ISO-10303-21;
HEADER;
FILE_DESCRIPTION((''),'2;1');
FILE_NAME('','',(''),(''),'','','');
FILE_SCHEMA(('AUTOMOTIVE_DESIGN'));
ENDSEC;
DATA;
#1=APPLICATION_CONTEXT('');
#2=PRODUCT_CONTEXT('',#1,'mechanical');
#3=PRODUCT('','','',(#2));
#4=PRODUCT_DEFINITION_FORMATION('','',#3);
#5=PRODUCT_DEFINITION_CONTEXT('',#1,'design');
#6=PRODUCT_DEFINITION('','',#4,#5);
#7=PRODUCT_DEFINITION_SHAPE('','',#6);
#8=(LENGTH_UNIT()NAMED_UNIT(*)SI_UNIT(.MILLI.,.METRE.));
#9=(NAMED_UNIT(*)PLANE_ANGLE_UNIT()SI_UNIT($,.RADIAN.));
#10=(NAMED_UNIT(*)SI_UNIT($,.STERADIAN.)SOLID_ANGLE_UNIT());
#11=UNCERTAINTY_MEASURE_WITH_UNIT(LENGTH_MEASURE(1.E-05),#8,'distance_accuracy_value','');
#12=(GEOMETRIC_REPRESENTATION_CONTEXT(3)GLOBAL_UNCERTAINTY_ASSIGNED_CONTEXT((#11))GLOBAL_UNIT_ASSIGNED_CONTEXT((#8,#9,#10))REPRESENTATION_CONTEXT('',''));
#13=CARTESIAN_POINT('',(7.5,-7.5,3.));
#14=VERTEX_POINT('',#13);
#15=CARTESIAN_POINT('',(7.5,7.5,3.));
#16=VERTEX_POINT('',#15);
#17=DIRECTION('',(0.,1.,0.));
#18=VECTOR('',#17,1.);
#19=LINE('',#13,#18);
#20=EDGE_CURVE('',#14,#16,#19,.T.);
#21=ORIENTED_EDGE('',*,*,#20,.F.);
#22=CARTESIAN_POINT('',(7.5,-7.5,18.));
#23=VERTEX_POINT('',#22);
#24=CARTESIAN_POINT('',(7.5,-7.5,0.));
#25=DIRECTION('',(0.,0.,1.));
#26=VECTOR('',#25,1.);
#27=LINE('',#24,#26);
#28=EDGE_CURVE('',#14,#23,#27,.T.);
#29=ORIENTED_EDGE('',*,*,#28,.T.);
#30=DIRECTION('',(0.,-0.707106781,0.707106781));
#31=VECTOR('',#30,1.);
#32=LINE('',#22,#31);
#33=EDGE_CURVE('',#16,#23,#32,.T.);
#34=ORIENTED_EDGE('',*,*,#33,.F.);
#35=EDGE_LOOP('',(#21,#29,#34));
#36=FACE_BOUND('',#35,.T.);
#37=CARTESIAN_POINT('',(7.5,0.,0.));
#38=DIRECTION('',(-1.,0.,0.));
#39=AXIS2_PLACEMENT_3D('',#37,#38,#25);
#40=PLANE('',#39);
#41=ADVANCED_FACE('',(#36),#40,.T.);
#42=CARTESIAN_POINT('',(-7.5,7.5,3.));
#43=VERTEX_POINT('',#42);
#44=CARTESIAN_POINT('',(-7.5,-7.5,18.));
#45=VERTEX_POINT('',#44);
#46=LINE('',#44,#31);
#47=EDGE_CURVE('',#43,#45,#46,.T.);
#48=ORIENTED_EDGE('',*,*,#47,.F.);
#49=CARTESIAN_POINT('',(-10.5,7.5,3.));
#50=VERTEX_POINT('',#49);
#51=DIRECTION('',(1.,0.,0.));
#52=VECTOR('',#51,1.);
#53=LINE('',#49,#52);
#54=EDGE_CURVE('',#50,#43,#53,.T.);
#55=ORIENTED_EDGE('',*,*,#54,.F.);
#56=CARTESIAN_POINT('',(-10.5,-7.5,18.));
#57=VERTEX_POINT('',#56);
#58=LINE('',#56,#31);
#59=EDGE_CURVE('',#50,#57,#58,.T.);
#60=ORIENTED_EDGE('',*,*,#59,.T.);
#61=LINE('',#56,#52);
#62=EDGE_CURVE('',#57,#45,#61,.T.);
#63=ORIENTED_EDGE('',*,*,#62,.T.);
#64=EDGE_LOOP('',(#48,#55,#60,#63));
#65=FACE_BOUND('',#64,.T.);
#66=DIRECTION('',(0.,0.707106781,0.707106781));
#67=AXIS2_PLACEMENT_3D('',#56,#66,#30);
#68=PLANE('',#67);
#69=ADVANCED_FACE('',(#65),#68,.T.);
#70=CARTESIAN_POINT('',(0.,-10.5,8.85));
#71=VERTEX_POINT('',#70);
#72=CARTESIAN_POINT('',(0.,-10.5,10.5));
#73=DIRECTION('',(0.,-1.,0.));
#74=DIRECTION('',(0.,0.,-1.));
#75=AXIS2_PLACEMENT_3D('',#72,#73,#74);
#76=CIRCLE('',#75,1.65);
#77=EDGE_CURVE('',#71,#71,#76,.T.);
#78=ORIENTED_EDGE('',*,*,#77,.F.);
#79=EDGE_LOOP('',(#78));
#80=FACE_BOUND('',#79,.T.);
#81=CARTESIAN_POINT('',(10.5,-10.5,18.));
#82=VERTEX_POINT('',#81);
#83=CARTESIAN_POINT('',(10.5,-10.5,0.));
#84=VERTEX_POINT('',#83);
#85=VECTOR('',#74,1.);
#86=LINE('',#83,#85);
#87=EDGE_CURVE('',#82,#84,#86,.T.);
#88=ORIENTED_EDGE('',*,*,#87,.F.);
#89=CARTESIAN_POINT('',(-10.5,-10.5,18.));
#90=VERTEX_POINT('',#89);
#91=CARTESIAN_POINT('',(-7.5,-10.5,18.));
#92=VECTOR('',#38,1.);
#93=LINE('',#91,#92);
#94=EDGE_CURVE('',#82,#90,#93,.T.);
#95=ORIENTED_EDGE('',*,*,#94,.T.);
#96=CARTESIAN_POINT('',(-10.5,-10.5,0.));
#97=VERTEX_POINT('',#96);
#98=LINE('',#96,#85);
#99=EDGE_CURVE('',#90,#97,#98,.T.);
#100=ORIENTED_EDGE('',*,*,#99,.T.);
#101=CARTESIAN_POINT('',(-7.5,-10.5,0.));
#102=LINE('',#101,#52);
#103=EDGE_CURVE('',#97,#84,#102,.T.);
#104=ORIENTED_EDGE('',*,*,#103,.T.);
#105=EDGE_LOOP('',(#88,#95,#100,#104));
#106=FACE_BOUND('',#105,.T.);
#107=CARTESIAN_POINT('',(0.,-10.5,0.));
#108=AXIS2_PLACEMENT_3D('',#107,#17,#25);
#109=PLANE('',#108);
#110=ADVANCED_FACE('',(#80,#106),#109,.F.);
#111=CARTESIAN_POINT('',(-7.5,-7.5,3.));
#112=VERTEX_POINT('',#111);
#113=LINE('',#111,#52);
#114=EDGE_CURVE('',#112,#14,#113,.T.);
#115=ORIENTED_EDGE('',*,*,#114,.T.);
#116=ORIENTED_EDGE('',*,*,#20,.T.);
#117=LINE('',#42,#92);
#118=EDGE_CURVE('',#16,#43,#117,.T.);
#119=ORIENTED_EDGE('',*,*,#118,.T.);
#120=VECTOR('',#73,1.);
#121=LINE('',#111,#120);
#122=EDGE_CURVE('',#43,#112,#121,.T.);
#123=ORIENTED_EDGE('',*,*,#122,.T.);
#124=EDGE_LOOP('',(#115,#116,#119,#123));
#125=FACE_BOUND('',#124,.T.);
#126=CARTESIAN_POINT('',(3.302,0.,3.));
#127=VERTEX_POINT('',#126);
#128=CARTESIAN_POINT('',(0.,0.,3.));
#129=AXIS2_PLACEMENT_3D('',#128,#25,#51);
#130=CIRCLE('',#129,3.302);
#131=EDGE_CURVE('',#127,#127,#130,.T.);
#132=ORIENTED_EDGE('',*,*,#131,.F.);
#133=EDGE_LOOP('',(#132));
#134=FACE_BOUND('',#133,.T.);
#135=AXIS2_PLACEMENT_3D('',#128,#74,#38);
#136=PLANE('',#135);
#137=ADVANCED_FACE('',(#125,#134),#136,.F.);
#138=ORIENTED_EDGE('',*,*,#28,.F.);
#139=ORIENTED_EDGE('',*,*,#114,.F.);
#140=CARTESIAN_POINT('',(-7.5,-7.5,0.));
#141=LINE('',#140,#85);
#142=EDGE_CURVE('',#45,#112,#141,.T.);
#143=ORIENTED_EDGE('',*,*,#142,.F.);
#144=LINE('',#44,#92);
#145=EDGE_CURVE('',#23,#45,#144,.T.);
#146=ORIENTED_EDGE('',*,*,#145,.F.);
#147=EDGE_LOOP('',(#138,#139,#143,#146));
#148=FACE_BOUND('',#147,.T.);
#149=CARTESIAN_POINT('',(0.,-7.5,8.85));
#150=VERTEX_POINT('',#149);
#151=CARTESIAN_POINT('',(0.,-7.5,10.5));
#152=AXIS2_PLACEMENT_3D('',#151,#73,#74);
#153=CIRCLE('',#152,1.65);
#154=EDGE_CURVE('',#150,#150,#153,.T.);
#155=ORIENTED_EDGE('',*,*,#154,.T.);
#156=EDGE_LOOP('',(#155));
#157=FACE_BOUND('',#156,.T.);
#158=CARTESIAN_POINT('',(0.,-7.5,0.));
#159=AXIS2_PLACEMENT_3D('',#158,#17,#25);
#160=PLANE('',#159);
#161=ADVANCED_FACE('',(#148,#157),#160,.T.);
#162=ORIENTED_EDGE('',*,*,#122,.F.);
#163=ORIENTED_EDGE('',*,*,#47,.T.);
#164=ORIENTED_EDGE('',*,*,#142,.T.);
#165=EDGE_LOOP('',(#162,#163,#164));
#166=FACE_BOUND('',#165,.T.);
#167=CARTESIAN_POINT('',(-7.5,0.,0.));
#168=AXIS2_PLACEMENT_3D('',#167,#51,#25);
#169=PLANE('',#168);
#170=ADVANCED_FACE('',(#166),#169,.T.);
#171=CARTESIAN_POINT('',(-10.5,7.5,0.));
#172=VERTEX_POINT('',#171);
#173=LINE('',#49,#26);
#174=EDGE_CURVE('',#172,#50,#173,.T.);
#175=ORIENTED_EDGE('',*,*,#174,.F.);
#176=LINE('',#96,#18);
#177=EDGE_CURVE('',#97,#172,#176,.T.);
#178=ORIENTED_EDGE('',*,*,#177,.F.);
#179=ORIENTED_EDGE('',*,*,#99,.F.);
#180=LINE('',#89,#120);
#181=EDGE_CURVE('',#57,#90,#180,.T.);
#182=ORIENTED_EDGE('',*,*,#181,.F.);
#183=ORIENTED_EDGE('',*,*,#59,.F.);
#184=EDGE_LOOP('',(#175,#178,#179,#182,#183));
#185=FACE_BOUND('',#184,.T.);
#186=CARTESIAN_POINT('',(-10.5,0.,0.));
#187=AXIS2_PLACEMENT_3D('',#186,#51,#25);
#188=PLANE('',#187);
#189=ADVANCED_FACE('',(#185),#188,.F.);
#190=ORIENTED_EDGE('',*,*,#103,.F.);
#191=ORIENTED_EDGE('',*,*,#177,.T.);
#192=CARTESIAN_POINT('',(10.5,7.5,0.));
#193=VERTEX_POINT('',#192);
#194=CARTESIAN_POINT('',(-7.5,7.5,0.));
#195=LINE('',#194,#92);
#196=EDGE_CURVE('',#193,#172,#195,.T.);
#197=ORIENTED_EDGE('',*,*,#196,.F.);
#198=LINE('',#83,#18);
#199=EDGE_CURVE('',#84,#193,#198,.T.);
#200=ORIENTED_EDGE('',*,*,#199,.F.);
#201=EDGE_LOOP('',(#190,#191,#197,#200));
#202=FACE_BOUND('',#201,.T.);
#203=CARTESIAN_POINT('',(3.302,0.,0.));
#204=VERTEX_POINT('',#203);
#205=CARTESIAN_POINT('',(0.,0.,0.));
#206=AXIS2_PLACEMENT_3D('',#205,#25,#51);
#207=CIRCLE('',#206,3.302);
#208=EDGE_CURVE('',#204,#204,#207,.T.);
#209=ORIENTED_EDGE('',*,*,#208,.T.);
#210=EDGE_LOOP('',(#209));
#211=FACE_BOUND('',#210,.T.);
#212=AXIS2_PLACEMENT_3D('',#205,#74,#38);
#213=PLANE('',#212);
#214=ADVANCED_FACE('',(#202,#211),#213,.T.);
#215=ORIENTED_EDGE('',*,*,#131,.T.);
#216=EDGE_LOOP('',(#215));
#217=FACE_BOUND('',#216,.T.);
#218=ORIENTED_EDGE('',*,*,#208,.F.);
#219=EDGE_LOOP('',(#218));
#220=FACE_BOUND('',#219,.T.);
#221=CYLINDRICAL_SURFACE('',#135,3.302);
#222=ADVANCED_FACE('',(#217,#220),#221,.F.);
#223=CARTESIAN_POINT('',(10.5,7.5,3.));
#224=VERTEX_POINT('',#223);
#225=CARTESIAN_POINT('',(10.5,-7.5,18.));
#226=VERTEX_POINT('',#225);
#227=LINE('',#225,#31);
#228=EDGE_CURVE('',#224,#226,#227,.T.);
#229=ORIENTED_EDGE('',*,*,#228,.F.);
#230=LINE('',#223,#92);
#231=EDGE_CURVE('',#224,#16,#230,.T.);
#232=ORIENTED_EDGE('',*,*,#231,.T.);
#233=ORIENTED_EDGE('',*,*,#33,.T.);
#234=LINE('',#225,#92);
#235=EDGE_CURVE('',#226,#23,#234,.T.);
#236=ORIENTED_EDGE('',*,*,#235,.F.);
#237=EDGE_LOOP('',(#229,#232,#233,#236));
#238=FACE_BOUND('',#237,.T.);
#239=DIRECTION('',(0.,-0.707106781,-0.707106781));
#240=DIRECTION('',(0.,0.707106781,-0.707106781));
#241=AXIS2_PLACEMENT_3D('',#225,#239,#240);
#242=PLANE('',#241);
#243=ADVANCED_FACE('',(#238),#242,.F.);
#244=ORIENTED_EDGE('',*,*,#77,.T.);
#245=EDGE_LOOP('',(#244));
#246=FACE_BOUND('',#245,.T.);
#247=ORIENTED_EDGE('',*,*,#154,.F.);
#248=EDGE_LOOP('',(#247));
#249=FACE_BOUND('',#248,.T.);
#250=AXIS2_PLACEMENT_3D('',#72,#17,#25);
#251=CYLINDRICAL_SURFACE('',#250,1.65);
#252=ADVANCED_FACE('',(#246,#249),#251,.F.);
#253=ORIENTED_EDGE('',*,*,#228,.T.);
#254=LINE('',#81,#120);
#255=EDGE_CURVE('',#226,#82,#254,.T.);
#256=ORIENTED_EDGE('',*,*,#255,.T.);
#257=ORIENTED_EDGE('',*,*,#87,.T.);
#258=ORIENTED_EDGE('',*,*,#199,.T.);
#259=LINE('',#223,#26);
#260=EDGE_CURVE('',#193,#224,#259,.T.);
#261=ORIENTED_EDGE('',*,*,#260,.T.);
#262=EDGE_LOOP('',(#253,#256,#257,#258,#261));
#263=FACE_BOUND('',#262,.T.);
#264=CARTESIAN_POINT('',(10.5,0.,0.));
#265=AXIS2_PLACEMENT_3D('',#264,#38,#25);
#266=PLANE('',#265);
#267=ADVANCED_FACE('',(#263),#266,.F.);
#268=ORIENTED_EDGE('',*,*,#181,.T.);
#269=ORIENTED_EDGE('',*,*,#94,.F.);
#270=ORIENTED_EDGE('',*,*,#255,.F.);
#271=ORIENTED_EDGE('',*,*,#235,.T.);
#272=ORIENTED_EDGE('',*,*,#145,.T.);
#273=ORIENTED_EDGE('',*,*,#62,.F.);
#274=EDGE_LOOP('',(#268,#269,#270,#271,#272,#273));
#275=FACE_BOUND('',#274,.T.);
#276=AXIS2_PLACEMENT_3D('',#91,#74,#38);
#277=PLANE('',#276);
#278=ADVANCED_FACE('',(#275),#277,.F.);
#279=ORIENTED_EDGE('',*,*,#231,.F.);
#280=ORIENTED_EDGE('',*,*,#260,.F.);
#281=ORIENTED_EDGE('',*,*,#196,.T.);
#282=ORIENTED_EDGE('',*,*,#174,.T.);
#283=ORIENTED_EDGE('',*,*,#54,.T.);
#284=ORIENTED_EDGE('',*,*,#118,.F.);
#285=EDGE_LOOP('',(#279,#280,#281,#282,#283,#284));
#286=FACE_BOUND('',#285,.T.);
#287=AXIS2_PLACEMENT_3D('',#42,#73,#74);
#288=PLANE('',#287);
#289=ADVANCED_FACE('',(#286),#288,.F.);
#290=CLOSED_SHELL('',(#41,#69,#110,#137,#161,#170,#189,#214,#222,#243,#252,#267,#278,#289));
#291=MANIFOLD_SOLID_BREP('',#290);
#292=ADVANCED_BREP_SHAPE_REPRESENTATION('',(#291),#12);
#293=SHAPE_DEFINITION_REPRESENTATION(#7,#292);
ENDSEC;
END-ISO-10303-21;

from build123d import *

# Parameters (mm, degrees)
SKETCH1_W           = 15
SKETCH1_H           = 15
SKETCH1_R           = 3.302
BOSS_EXTRUDE1_DEPTH = 3
SKETCH2_W           = 15
SKETCH2_H           = 18
SKETCH2_R           = 1.65
BOSS_EXTRUDE2_DEPTH = 3
BOSS_EXTRUDE3_DEPTH = 3


with BuildPart() as part:
    # Sketch1 → Boss-Extrude1 (new body)
    with BuildSketch(Plane.XY):
        Rectangle(SKETCH1_W, SKETCH1_H)
        Circle(SKETCH1_R, mode=Mode.SUBTRACT)
    extrude(amount=BOSS_EXTRUDE1_DEPTH)

    # Sketch2 → Boss-Extrude2 (add)
    with BuildSketch(Plane.XZ.offset(7.5)):
        with Locations((0, 9)):
            Rectangle(SKETCH2_W, SKETCH2_H)
        with Locations((0, 10.5)):
            Circle(SKETCH2_R, mode=Mode.SUBTRACT)
    extrude(amount=BOSS_EXTRUDE2_DEPTH)

    # Sketch3 → Boss-Extrude3 (add)
    with BuildSketch(Plane(origin=(7.5, 0, 0), x_dir=(0, 0, -1), z_dir=(1, 0, 0))):
        Polygon((-18, -10.5), (-18, -7.5), (-3, 7.5), (0, 7.5), (0, -10.5), align=None)
    boss_extrude3 = extrude(amount=BOSS_EXTRUDE3_DEPTH)

    # Mirror1: Boss-Extrude3 across plane
    add(boss_extrude3.mirror(Plane(origin=(0, 0, 0), x_dir=(0, 0, 1), z_dir=(1, 0, 0))))


solid = part.part
